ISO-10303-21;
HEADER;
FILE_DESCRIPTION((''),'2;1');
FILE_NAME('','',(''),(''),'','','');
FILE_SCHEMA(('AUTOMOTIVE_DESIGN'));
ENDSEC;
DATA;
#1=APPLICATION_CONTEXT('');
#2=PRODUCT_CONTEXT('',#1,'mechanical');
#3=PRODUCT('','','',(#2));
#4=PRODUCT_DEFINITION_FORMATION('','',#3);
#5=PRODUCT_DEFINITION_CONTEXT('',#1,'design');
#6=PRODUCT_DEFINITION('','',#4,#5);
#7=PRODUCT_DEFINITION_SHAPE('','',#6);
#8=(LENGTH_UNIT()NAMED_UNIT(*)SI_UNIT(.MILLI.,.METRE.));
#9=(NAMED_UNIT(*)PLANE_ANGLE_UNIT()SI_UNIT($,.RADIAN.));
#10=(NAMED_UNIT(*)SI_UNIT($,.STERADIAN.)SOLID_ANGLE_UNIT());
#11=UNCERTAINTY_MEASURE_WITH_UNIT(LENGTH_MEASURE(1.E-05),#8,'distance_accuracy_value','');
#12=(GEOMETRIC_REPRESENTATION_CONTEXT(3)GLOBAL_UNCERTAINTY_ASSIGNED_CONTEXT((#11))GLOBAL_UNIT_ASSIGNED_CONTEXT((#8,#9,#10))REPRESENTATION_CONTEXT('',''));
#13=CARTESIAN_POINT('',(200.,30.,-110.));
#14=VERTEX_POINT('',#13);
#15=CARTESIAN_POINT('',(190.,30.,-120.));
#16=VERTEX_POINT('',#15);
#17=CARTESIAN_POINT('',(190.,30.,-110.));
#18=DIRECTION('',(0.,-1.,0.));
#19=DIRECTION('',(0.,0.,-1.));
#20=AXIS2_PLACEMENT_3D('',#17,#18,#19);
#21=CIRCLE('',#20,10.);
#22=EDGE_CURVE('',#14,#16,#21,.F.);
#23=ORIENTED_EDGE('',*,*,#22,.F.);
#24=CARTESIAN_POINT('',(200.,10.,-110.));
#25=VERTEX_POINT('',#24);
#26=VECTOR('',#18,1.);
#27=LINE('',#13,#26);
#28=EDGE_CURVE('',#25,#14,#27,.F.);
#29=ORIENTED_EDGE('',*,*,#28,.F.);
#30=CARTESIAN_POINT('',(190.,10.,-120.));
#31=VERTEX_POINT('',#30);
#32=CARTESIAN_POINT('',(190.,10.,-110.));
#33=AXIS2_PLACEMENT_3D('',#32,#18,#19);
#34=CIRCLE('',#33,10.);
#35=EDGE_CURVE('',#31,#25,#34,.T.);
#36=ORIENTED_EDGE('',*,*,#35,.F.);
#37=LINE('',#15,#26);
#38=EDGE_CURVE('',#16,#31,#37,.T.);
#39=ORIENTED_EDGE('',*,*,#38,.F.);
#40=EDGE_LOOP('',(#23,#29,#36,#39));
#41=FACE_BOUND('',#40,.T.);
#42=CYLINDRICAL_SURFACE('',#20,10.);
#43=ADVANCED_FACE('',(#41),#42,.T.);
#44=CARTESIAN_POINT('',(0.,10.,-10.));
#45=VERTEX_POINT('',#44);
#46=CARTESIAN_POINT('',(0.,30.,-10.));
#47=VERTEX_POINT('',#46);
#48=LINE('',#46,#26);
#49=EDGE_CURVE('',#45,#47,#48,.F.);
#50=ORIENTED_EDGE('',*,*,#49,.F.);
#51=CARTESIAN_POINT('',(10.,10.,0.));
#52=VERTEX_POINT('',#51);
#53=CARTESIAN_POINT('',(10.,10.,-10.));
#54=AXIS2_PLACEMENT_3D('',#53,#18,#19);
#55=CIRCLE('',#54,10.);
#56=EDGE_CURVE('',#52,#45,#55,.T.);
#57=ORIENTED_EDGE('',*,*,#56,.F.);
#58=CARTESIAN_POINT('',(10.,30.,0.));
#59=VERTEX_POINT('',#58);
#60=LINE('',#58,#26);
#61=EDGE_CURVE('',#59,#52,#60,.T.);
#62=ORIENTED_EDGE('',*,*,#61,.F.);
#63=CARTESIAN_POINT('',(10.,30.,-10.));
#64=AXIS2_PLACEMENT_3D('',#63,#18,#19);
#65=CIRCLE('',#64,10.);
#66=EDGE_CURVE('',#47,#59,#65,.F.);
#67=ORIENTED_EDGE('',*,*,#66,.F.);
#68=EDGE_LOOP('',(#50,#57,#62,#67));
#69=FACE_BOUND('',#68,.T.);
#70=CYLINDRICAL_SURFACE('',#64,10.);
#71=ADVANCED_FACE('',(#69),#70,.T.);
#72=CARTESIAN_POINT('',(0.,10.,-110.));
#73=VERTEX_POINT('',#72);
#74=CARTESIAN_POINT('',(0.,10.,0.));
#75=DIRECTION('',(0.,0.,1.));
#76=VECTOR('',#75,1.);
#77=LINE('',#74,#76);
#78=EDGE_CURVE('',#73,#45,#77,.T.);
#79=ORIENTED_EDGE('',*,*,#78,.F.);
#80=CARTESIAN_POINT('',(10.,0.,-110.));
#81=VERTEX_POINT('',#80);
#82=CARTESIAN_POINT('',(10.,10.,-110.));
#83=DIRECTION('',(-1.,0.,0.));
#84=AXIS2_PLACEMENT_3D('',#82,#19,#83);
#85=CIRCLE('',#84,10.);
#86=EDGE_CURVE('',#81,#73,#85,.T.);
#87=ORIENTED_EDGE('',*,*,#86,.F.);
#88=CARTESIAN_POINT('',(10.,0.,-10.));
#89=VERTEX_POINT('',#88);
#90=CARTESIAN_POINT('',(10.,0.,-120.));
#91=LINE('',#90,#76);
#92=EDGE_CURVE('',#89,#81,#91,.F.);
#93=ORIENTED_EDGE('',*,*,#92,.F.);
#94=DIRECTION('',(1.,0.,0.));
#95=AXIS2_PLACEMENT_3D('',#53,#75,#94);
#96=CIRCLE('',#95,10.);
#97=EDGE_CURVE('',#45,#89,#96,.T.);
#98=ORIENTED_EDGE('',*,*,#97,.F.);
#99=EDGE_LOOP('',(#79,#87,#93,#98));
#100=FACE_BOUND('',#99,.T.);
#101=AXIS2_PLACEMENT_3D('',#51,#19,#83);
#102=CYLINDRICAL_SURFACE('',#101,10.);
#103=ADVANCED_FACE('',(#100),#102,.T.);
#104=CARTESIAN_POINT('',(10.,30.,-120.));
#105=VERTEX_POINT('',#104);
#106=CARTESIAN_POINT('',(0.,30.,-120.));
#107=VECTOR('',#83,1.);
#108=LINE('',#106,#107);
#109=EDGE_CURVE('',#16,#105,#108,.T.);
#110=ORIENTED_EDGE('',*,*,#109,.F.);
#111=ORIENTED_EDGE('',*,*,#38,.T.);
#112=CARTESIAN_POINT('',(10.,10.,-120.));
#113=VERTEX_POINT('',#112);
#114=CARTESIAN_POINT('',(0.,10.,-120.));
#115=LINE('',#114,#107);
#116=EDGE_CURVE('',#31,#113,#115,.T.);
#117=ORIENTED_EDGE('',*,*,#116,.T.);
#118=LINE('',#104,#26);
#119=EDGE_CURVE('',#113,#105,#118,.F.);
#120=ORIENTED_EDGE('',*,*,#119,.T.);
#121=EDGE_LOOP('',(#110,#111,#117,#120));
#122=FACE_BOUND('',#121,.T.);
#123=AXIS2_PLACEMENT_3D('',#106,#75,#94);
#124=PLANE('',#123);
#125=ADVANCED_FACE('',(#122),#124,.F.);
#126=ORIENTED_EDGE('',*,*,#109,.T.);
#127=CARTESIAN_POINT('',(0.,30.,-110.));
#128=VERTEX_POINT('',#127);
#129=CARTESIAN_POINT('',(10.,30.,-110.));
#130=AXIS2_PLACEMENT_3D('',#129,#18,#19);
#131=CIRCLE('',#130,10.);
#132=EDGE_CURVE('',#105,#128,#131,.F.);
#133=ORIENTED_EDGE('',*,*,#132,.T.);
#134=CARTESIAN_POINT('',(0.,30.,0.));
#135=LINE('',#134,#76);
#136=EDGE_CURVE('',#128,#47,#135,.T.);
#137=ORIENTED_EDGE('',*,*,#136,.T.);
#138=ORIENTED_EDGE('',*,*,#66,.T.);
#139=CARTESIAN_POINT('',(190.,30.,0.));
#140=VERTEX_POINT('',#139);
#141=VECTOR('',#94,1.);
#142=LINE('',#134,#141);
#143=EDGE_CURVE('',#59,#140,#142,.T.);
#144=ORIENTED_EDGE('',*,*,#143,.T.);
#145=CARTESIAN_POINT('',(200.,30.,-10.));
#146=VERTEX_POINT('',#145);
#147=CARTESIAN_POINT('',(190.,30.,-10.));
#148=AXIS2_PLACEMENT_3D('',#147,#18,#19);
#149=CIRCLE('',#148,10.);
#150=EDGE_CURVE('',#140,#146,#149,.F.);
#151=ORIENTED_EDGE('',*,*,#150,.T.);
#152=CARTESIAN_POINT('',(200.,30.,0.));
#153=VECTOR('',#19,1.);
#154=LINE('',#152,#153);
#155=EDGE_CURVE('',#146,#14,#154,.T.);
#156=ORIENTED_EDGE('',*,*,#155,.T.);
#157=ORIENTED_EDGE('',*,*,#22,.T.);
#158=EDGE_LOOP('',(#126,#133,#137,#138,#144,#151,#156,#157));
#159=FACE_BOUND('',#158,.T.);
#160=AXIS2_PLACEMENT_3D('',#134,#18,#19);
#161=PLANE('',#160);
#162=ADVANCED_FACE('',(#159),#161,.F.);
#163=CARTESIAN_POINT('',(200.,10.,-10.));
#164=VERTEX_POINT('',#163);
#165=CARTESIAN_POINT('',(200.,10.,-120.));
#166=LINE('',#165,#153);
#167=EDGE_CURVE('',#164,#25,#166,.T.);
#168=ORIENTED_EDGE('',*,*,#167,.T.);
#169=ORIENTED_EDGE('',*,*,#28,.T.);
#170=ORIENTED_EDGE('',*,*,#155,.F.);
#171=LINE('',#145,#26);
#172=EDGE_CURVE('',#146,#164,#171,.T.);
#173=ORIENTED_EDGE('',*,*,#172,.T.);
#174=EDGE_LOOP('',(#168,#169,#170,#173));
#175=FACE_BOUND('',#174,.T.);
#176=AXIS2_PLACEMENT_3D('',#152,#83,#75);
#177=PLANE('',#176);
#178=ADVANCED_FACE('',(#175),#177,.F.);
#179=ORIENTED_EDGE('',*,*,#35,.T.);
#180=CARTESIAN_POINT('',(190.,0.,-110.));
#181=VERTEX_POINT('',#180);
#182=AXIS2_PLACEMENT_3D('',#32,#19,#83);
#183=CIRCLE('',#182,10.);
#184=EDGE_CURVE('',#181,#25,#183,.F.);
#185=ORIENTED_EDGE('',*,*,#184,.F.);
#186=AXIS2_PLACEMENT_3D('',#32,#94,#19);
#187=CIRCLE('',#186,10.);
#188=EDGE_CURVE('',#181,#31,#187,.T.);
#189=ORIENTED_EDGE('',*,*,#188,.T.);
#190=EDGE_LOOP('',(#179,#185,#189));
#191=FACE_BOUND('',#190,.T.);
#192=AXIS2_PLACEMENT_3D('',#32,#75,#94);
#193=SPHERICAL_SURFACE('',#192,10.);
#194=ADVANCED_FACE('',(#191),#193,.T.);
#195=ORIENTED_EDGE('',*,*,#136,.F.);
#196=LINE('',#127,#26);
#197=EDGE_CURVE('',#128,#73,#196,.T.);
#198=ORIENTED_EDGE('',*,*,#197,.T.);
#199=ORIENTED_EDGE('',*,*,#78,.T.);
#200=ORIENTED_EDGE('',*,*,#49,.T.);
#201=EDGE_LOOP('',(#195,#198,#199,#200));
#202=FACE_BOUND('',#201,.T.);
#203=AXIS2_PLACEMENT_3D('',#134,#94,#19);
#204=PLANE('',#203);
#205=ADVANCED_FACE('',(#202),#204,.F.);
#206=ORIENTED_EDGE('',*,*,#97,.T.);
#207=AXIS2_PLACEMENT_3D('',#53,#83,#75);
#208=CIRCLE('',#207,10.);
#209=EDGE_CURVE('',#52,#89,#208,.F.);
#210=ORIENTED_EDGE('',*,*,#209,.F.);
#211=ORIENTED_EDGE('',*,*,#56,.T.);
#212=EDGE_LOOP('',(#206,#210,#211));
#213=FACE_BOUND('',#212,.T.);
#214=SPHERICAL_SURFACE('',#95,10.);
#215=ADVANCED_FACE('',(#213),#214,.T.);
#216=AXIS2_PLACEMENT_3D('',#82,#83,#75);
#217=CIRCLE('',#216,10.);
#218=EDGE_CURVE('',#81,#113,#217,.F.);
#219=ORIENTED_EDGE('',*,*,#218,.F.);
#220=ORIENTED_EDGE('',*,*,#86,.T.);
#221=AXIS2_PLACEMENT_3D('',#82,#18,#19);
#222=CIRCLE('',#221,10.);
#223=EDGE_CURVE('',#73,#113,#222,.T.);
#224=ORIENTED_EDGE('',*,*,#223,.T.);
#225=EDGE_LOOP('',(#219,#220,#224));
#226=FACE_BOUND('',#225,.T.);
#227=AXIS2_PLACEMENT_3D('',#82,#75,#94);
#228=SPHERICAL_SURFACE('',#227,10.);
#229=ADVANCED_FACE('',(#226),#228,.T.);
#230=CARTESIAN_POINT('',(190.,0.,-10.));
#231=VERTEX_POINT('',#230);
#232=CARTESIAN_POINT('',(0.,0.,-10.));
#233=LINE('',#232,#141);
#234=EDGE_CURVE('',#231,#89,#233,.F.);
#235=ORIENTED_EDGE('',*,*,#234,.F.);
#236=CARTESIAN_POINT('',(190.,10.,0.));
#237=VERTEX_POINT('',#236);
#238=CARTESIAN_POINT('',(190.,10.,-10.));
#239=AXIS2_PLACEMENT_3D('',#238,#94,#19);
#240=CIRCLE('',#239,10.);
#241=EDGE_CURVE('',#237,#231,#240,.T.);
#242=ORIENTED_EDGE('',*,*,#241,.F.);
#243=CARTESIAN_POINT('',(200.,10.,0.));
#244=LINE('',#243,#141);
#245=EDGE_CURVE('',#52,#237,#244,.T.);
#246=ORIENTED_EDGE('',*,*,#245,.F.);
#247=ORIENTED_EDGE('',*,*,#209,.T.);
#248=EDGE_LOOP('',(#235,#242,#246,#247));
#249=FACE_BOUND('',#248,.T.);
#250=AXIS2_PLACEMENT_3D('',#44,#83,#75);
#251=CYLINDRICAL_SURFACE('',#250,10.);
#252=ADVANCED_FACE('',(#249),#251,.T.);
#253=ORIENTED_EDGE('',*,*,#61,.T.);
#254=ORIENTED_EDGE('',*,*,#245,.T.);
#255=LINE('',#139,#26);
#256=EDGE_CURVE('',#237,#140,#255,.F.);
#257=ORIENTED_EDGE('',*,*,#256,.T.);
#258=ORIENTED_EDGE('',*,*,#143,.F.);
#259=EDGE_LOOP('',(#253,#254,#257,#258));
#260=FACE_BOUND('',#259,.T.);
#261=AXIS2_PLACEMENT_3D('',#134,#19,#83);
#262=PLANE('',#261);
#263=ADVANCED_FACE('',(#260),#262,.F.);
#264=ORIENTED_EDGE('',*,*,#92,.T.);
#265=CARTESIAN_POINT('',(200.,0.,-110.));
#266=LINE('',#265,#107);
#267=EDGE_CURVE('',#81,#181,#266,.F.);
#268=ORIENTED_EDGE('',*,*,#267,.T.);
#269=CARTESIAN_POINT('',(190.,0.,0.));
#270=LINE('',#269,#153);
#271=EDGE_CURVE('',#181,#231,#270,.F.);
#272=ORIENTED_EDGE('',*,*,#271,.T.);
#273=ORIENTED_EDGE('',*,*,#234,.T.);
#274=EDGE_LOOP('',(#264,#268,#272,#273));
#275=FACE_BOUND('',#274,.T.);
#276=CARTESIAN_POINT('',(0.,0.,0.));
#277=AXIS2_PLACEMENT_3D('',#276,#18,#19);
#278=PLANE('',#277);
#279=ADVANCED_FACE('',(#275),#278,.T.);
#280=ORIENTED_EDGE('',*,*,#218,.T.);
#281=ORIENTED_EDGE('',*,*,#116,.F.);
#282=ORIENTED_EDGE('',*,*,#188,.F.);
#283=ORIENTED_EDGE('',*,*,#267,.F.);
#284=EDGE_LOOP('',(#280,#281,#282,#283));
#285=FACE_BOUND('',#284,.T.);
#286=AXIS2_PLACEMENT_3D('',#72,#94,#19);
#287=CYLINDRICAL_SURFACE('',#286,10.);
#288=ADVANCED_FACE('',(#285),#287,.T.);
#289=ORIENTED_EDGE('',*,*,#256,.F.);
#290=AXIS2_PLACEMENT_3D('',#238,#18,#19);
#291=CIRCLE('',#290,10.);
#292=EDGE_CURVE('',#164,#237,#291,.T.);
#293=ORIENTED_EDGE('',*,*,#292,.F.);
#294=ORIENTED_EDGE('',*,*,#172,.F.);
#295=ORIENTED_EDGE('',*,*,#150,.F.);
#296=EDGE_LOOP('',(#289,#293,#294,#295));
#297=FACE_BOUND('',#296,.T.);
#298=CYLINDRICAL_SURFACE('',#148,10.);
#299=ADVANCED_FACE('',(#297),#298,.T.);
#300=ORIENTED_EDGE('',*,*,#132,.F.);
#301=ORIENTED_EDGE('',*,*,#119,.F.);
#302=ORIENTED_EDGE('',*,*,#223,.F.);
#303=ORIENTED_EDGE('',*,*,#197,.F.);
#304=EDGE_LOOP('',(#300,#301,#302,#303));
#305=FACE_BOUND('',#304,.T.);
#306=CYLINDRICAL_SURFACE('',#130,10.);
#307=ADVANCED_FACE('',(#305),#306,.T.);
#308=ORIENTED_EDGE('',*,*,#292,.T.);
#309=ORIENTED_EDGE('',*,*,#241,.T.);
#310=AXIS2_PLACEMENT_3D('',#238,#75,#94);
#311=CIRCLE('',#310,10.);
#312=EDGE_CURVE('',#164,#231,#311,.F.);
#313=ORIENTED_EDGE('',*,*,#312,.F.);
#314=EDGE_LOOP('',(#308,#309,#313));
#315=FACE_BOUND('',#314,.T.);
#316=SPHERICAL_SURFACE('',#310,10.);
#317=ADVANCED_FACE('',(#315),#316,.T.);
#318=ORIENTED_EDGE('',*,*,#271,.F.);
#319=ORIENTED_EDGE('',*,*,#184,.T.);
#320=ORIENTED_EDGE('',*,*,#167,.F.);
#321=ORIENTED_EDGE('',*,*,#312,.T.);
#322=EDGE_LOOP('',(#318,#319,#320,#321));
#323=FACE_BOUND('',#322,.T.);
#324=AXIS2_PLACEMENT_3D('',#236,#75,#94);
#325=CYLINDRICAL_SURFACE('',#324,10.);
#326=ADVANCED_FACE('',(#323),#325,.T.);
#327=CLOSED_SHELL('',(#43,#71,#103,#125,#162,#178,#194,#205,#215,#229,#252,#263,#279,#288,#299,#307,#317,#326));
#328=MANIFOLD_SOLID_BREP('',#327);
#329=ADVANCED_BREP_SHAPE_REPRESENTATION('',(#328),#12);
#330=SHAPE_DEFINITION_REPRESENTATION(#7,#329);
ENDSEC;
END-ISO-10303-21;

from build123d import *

# Parameters (mm, degrees)
SKETCH1_W           = 200
SKETCH1_H           = 120
BOSS_EXTRUDE1_DEPTH = 30
FILLET1_R           = 10


with BuildPart() as part:
    # Sketch1 → Boss-Extrude1 (new body)
    with BuildSketch(Plane(origin=(0, 0, 0), x_dir=(1, 0, 0), z_dir=(0, 1, 0))):
        with Locations((100, 60)):
            Rectangle(SKETCH1_W, SKETCH1_H)
    extrude(amount=BOSS_EXTRUDE1_DEPTH)

    # Fillet1
    fillet1_edges = [part.edges().sort_by_distance(p)[0] for p in [
        (100, 0, -120),
        (200, 0, -60),
        (100, 0, 0),
        (0, 0, -60),
        (0, 15, -120),
        (200, 15, -120),
        (200, 15, 0),
        (0, 15, 0),
    ]]
    fillet(fillet1_edges, radius=FILLET1_R)


solid = part.part
